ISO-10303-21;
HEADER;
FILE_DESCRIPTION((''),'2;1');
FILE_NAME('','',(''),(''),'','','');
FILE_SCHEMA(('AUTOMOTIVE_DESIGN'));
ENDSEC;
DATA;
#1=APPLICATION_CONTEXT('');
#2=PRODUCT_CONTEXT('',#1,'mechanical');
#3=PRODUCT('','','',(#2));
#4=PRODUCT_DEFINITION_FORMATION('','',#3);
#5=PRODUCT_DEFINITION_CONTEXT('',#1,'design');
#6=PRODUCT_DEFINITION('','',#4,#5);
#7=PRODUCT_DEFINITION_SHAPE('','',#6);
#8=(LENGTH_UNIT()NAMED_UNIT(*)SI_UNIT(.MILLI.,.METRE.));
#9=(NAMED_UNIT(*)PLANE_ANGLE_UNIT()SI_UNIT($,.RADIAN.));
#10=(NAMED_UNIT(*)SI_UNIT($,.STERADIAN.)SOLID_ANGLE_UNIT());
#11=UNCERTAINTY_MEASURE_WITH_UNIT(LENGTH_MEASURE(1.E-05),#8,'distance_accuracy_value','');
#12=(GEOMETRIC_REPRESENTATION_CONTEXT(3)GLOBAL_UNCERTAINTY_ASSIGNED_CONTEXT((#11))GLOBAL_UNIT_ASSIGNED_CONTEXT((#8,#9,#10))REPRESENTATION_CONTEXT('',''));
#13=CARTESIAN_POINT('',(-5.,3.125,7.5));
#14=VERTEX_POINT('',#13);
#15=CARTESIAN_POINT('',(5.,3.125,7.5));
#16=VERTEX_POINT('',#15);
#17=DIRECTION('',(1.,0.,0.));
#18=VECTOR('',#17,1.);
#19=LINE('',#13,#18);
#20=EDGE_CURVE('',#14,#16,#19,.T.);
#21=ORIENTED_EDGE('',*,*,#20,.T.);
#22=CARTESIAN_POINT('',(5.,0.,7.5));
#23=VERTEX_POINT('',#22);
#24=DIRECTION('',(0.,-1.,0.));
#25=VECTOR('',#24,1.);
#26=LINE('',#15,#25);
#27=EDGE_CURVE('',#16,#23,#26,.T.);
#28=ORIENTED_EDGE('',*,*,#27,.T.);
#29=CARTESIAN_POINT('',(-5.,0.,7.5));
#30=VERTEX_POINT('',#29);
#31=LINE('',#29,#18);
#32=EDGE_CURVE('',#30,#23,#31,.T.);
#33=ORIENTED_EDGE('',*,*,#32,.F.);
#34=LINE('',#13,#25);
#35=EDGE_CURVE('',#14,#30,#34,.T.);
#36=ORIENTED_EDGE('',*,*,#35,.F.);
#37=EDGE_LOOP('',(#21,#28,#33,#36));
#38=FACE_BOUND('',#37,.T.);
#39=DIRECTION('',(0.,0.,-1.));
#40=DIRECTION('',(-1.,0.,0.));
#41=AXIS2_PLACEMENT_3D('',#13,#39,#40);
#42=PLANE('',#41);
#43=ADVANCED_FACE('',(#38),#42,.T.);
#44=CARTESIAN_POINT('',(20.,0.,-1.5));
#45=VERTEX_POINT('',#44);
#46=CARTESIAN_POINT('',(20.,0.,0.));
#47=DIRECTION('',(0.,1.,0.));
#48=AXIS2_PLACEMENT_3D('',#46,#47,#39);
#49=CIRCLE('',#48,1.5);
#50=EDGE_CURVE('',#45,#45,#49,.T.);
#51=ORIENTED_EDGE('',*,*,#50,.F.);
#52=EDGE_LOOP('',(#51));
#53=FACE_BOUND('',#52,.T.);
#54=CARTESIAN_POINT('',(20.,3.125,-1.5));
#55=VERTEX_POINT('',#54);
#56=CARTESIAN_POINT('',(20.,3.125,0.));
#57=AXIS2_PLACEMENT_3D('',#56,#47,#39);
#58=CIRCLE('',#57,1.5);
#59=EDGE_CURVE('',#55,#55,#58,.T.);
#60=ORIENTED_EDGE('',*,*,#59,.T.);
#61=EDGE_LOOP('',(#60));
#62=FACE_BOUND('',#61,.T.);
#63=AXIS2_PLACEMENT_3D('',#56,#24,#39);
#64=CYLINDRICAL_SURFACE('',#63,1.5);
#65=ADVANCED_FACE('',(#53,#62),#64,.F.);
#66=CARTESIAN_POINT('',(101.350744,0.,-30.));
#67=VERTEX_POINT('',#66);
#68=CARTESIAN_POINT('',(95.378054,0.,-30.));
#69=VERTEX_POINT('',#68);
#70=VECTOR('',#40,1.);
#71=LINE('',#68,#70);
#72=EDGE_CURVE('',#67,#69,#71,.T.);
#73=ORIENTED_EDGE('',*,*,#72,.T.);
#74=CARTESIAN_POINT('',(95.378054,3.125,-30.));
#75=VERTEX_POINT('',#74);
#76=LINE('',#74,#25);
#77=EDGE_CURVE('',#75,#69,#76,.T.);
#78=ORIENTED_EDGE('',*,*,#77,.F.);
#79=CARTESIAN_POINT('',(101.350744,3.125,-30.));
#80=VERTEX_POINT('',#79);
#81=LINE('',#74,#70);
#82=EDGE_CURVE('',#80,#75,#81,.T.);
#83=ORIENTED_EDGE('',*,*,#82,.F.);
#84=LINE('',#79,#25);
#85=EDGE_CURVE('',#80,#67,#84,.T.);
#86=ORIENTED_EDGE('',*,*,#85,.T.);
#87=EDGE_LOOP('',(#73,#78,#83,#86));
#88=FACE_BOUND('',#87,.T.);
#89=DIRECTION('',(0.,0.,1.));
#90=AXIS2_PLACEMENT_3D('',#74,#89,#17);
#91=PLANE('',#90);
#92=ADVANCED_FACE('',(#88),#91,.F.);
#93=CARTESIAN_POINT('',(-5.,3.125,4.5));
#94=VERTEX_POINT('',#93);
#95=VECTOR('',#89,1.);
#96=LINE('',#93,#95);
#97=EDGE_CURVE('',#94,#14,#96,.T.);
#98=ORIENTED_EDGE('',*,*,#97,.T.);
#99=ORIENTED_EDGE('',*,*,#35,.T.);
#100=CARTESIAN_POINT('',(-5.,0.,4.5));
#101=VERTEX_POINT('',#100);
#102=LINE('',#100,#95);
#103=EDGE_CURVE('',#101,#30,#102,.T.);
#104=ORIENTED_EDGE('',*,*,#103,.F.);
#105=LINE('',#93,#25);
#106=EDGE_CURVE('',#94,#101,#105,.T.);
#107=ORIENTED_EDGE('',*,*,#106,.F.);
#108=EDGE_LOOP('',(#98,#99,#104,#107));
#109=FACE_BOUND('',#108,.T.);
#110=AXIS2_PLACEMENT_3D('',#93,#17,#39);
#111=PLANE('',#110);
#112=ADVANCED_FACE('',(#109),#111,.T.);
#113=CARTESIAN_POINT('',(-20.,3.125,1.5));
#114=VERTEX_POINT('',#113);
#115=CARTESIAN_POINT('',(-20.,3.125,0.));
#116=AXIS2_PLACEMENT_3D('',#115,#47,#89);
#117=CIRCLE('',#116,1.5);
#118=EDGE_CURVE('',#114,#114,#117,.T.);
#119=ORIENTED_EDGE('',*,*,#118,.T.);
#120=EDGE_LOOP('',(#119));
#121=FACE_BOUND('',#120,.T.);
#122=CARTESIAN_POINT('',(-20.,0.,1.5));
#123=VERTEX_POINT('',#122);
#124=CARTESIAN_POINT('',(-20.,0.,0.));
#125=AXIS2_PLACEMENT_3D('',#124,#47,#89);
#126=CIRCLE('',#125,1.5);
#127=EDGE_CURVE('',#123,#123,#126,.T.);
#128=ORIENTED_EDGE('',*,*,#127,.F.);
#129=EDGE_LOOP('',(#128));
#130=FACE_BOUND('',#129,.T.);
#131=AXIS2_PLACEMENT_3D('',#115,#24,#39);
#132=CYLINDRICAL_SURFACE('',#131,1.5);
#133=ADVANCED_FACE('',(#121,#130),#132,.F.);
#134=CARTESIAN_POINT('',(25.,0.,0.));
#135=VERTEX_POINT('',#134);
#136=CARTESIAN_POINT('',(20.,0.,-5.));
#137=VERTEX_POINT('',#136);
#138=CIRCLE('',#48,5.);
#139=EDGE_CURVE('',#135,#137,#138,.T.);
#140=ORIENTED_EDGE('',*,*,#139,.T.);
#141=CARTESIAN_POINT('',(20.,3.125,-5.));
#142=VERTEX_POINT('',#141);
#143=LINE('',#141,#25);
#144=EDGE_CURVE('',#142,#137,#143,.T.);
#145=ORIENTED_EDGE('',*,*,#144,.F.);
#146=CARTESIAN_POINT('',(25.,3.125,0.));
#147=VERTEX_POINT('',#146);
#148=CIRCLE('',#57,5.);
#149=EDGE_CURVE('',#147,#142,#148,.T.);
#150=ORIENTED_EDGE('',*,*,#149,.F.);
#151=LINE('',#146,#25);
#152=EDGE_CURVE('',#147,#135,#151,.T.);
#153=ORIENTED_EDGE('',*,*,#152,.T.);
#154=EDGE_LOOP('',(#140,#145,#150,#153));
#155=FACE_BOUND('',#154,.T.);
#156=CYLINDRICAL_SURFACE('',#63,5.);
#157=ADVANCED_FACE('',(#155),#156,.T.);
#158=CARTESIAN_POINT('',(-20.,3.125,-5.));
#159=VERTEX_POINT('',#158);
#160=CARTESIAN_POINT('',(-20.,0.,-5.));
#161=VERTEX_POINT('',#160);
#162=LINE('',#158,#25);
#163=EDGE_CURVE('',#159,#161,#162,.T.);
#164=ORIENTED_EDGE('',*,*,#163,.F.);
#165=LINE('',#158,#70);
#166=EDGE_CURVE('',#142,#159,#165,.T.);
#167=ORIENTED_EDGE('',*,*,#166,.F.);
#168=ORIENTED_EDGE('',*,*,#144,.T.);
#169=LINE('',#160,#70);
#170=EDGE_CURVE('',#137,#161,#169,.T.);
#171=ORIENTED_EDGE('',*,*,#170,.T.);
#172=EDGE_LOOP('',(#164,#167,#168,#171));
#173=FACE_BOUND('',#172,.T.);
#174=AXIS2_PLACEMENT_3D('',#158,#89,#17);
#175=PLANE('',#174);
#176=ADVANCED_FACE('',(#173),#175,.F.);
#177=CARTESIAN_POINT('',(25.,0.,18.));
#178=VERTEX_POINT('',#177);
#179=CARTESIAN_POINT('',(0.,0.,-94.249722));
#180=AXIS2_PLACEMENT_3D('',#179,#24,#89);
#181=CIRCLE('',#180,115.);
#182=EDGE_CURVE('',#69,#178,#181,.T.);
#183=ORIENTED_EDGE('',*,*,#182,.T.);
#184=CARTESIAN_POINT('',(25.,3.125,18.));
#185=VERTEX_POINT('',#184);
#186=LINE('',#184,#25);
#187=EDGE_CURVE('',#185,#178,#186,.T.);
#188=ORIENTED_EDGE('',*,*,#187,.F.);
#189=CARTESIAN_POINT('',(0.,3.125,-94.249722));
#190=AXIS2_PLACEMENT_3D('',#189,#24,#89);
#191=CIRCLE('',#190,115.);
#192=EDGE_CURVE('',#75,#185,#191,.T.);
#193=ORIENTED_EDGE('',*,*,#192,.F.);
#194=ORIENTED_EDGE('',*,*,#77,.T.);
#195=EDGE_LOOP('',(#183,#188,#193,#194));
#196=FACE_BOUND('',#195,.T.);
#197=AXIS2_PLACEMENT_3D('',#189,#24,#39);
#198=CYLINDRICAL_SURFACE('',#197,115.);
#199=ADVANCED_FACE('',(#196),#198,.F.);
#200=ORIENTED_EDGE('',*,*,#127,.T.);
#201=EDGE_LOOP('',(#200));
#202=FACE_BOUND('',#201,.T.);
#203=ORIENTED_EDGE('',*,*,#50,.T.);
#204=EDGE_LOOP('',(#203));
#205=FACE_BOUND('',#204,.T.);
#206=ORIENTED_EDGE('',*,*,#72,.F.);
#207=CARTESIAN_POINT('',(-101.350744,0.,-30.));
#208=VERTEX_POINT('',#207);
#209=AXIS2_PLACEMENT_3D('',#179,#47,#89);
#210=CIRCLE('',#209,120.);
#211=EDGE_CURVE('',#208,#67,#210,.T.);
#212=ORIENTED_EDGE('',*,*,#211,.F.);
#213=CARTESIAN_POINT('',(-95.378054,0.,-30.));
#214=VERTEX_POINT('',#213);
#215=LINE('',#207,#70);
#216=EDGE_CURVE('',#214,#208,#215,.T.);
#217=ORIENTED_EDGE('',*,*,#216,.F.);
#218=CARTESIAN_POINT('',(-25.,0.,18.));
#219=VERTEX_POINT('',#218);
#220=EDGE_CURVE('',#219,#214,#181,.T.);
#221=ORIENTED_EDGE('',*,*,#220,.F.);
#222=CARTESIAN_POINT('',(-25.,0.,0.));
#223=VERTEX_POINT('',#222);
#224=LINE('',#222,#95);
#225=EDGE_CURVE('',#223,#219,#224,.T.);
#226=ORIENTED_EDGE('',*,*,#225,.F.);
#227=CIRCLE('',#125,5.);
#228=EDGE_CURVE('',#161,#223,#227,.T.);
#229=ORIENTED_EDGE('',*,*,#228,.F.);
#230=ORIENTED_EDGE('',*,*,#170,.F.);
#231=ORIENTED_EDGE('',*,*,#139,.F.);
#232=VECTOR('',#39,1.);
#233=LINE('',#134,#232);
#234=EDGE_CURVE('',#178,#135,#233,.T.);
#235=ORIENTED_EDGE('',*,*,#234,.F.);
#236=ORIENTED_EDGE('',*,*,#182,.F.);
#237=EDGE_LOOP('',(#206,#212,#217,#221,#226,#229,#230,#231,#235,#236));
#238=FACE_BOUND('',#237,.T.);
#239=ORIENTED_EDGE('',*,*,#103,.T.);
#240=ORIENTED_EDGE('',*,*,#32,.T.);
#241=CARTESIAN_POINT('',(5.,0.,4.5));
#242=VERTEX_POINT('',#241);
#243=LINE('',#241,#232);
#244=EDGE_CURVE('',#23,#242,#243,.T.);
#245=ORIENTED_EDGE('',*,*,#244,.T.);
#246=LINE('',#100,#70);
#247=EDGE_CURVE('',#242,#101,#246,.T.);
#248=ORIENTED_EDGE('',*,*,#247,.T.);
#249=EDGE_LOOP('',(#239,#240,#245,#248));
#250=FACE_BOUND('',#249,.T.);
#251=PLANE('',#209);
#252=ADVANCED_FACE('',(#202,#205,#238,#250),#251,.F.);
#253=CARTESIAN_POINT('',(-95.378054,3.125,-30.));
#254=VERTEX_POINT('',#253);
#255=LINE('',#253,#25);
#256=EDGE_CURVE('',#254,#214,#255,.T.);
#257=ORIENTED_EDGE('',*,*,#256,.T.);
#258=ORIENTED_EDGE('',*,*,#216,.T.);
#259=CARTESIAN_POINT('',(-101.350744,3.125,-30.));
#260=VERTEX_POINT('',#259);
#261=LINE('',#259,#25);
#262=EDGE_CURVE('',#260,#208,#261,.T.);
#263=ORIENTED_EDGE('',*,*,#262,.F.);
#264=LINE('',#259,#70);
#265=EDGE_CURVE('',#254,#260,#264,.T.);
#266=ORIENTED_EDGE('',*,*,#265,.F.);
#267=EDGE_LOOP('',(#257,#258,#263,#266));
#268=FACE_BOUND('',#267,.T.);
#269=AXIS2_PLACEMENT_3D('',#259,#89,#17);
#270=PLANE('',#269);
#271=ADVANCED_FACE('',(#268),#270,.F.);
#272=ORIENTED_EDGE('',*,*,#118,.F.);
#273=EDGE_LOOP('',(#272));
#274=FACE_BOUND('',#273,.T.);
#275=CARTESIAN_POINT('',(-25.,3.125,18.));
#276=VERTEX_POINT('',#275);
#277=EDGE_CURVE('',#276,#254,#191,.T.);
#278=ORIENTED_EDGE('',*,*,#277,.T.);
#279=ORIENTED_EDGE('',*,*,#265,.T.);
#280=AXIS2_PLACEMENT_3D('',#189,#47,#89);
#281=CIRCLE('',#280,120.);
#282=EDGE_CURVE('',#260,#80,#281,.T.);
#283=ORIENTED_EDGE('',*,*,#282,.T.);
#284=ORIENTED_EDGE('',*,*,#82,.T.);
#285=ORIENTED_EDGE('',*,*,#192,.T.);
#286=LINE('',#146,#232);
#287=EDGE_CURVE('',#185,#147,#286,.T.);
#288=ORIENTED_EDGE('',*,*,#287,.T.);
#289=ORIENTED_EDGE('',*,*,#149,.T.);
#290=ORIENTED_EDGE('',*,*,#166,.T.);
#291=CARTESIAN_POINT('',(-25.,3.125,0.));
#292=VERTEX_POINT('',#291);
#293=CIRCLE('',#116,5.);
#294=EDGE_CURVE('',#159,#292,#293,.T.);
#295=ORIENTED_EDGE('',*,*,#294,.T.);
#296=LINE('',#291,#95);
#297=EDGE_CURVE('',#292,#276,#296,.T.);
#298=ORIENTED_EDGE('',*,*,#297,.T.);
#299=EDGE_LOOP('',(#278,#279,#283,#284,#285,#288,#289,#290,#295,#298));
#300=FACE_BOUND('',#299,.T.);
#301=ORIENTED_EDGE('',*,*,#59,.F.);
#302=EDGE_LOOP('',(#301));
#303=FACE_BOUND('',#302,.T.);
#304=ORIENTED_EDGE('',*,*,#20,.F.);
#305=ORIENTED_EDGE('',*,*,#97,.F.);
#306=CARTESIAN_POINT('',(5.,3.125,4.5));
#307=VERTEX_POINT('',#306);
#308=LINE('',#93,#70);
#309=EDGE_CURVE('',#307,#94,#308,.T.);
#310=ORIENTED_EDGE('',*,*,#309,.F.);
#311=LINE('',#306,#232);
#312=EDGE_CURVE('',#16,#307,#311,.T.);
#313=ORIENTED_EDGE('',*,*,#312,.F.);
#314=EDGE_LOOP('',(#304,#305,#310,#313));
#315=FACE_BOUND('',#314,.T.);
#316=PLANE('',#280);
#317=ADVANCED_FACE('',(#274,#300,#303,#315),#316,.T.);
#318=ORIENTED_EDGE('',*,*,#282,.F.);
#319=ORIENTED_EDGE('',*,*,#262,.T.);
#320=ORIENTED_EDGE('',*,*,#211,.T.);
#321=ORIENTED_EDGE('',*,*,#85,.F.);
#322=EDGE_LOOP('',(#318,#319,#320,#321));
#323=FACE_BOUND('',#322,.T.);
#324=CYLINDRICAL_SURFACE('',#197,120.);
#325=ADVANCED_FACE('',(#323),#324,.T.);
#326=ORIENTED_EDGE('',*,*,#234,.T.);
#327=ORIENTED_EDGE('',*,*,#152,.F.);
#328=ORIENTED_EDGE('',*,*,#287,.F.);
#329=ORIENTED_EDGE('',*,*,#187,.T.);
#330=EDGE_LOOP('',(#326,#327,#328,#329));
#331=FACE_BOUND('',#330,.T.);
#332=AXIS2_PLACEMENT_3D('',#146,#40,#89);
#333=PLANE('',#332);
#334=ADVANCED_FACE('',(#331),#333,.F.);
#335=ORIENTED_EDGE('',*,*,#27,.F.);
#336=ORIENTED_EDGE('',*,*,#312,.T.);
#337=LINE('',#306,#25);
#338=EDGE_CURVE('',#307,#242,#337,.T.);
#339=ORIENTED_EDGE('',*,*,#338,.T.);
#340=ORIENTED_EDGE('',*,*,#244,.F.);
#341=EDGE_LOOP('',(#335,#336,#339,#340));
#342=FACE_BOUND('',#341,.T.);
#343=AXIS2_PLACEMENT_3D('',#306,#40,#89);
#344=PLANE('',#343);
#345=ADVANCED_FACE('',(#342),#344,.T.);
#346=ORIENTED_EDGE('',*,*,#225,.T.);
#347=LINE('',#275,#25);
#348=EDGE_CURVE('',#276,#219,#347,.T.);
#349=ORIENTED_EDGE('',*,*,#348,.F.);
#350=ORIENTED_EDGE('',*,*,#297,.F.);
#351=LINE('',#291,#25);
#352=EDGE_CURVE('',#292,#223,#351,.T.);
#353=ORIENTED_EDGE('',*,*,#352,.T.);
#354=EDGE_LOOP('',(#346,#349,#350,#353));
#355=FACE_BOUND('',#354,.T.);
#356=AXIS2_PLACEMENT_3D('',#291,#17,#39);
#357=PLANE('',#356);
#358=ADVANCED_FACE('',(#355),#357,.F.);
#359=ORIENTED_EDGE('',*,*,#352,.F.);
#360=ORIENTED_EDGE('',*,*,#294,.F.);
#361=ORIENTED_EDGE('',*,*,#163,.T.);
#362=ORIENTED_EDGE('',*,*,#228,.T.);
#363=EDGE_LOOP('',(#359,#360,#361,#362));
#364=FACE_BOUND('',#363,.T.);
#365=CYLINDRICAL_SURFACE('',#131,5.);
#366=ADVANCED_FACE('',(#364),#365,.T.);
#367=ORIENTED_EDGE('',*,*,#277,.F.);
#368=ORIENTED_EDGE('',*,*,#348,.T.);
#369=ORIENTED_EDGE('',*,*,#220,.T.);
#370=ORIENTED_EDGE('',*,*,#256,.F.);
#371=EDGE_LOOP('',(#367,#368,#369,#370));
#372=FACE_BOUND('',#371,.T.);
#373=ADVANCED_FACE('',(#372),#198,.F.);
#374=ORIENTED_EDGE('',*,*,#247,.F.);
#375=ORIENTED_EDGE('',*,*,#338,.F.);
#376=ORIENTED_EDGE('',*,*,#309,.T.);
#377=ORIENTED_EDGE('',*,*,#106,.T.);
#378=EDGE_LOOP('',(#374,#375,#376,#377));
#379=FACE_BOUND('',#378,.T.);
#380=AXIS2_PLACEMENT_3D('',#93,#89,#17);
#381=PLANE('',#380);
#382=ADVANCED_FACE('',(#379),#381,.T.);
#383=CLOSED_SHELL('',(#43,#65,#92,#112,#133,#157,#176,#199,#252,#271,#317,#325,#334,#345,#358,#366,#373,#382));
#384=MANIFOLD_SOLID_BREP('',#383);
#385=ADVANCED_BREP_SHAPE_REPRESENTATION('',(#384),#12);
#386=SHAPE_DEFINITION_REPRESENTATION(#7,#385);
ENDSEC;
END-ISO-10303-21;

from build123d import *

# Parameters (mm, degrees)
SKETCH_1_R      = 1.5
SKETCH_1_W      = 10
SKETCH_1_H      = 3
EXTRUDE_2_DEPTH = 3.125


with BuildPart() as part:
    # 草图1 → 凸台-拉伸2 (new body)
    with BuildSketch(Plane(origin=(0, 0, 0), x_dir=(1, 0, 0), z_dir=(0, 1, 0))):
        with BuildLine():
            Line((-101.350743825, 30), (-95.378054467, 30))
            ThreePointArc((-95.378054467, 30), (-64.797523096, -0.757020266), (-25, -18))
            Line((-25, -18), (-25, 0))
            ThreePointArc((-25, 0), (-23.535533906, 3.535533906), (-20, 5))
            Line((-20, 5), (20, 5))
            ThreePointArc((20, 5), (23.535533906, 3.535533906), (25, 0))
            Line((25, 0), (25, -18))
            ThreePointArc((25, -18), (64.797523096, -0.757020266), (95.378054467, 30))
            Line((95.378054467, 30), (101.350743825, 30))
            ThreePointArc((101.350743825, 30), (0, -25.750278397), (-101.350743825, 30))
        make_face()
        with Locations((-20, 0)):
            Circle(SKETCH_1_R, mode=Mode.SUBTRACT)
        with Locations((20, 0)):
            Circle(SKETCH_1_R, mode=Mode.SUBTRACT)
        with Locations((0, -6)):
            Rectangle(SKETCH_1_W, SKETCH_1_H, mode=Mode.SUBTRACT)
    extrude(amount=EXTRUDE_2_DEPTH)


solid = part.part
